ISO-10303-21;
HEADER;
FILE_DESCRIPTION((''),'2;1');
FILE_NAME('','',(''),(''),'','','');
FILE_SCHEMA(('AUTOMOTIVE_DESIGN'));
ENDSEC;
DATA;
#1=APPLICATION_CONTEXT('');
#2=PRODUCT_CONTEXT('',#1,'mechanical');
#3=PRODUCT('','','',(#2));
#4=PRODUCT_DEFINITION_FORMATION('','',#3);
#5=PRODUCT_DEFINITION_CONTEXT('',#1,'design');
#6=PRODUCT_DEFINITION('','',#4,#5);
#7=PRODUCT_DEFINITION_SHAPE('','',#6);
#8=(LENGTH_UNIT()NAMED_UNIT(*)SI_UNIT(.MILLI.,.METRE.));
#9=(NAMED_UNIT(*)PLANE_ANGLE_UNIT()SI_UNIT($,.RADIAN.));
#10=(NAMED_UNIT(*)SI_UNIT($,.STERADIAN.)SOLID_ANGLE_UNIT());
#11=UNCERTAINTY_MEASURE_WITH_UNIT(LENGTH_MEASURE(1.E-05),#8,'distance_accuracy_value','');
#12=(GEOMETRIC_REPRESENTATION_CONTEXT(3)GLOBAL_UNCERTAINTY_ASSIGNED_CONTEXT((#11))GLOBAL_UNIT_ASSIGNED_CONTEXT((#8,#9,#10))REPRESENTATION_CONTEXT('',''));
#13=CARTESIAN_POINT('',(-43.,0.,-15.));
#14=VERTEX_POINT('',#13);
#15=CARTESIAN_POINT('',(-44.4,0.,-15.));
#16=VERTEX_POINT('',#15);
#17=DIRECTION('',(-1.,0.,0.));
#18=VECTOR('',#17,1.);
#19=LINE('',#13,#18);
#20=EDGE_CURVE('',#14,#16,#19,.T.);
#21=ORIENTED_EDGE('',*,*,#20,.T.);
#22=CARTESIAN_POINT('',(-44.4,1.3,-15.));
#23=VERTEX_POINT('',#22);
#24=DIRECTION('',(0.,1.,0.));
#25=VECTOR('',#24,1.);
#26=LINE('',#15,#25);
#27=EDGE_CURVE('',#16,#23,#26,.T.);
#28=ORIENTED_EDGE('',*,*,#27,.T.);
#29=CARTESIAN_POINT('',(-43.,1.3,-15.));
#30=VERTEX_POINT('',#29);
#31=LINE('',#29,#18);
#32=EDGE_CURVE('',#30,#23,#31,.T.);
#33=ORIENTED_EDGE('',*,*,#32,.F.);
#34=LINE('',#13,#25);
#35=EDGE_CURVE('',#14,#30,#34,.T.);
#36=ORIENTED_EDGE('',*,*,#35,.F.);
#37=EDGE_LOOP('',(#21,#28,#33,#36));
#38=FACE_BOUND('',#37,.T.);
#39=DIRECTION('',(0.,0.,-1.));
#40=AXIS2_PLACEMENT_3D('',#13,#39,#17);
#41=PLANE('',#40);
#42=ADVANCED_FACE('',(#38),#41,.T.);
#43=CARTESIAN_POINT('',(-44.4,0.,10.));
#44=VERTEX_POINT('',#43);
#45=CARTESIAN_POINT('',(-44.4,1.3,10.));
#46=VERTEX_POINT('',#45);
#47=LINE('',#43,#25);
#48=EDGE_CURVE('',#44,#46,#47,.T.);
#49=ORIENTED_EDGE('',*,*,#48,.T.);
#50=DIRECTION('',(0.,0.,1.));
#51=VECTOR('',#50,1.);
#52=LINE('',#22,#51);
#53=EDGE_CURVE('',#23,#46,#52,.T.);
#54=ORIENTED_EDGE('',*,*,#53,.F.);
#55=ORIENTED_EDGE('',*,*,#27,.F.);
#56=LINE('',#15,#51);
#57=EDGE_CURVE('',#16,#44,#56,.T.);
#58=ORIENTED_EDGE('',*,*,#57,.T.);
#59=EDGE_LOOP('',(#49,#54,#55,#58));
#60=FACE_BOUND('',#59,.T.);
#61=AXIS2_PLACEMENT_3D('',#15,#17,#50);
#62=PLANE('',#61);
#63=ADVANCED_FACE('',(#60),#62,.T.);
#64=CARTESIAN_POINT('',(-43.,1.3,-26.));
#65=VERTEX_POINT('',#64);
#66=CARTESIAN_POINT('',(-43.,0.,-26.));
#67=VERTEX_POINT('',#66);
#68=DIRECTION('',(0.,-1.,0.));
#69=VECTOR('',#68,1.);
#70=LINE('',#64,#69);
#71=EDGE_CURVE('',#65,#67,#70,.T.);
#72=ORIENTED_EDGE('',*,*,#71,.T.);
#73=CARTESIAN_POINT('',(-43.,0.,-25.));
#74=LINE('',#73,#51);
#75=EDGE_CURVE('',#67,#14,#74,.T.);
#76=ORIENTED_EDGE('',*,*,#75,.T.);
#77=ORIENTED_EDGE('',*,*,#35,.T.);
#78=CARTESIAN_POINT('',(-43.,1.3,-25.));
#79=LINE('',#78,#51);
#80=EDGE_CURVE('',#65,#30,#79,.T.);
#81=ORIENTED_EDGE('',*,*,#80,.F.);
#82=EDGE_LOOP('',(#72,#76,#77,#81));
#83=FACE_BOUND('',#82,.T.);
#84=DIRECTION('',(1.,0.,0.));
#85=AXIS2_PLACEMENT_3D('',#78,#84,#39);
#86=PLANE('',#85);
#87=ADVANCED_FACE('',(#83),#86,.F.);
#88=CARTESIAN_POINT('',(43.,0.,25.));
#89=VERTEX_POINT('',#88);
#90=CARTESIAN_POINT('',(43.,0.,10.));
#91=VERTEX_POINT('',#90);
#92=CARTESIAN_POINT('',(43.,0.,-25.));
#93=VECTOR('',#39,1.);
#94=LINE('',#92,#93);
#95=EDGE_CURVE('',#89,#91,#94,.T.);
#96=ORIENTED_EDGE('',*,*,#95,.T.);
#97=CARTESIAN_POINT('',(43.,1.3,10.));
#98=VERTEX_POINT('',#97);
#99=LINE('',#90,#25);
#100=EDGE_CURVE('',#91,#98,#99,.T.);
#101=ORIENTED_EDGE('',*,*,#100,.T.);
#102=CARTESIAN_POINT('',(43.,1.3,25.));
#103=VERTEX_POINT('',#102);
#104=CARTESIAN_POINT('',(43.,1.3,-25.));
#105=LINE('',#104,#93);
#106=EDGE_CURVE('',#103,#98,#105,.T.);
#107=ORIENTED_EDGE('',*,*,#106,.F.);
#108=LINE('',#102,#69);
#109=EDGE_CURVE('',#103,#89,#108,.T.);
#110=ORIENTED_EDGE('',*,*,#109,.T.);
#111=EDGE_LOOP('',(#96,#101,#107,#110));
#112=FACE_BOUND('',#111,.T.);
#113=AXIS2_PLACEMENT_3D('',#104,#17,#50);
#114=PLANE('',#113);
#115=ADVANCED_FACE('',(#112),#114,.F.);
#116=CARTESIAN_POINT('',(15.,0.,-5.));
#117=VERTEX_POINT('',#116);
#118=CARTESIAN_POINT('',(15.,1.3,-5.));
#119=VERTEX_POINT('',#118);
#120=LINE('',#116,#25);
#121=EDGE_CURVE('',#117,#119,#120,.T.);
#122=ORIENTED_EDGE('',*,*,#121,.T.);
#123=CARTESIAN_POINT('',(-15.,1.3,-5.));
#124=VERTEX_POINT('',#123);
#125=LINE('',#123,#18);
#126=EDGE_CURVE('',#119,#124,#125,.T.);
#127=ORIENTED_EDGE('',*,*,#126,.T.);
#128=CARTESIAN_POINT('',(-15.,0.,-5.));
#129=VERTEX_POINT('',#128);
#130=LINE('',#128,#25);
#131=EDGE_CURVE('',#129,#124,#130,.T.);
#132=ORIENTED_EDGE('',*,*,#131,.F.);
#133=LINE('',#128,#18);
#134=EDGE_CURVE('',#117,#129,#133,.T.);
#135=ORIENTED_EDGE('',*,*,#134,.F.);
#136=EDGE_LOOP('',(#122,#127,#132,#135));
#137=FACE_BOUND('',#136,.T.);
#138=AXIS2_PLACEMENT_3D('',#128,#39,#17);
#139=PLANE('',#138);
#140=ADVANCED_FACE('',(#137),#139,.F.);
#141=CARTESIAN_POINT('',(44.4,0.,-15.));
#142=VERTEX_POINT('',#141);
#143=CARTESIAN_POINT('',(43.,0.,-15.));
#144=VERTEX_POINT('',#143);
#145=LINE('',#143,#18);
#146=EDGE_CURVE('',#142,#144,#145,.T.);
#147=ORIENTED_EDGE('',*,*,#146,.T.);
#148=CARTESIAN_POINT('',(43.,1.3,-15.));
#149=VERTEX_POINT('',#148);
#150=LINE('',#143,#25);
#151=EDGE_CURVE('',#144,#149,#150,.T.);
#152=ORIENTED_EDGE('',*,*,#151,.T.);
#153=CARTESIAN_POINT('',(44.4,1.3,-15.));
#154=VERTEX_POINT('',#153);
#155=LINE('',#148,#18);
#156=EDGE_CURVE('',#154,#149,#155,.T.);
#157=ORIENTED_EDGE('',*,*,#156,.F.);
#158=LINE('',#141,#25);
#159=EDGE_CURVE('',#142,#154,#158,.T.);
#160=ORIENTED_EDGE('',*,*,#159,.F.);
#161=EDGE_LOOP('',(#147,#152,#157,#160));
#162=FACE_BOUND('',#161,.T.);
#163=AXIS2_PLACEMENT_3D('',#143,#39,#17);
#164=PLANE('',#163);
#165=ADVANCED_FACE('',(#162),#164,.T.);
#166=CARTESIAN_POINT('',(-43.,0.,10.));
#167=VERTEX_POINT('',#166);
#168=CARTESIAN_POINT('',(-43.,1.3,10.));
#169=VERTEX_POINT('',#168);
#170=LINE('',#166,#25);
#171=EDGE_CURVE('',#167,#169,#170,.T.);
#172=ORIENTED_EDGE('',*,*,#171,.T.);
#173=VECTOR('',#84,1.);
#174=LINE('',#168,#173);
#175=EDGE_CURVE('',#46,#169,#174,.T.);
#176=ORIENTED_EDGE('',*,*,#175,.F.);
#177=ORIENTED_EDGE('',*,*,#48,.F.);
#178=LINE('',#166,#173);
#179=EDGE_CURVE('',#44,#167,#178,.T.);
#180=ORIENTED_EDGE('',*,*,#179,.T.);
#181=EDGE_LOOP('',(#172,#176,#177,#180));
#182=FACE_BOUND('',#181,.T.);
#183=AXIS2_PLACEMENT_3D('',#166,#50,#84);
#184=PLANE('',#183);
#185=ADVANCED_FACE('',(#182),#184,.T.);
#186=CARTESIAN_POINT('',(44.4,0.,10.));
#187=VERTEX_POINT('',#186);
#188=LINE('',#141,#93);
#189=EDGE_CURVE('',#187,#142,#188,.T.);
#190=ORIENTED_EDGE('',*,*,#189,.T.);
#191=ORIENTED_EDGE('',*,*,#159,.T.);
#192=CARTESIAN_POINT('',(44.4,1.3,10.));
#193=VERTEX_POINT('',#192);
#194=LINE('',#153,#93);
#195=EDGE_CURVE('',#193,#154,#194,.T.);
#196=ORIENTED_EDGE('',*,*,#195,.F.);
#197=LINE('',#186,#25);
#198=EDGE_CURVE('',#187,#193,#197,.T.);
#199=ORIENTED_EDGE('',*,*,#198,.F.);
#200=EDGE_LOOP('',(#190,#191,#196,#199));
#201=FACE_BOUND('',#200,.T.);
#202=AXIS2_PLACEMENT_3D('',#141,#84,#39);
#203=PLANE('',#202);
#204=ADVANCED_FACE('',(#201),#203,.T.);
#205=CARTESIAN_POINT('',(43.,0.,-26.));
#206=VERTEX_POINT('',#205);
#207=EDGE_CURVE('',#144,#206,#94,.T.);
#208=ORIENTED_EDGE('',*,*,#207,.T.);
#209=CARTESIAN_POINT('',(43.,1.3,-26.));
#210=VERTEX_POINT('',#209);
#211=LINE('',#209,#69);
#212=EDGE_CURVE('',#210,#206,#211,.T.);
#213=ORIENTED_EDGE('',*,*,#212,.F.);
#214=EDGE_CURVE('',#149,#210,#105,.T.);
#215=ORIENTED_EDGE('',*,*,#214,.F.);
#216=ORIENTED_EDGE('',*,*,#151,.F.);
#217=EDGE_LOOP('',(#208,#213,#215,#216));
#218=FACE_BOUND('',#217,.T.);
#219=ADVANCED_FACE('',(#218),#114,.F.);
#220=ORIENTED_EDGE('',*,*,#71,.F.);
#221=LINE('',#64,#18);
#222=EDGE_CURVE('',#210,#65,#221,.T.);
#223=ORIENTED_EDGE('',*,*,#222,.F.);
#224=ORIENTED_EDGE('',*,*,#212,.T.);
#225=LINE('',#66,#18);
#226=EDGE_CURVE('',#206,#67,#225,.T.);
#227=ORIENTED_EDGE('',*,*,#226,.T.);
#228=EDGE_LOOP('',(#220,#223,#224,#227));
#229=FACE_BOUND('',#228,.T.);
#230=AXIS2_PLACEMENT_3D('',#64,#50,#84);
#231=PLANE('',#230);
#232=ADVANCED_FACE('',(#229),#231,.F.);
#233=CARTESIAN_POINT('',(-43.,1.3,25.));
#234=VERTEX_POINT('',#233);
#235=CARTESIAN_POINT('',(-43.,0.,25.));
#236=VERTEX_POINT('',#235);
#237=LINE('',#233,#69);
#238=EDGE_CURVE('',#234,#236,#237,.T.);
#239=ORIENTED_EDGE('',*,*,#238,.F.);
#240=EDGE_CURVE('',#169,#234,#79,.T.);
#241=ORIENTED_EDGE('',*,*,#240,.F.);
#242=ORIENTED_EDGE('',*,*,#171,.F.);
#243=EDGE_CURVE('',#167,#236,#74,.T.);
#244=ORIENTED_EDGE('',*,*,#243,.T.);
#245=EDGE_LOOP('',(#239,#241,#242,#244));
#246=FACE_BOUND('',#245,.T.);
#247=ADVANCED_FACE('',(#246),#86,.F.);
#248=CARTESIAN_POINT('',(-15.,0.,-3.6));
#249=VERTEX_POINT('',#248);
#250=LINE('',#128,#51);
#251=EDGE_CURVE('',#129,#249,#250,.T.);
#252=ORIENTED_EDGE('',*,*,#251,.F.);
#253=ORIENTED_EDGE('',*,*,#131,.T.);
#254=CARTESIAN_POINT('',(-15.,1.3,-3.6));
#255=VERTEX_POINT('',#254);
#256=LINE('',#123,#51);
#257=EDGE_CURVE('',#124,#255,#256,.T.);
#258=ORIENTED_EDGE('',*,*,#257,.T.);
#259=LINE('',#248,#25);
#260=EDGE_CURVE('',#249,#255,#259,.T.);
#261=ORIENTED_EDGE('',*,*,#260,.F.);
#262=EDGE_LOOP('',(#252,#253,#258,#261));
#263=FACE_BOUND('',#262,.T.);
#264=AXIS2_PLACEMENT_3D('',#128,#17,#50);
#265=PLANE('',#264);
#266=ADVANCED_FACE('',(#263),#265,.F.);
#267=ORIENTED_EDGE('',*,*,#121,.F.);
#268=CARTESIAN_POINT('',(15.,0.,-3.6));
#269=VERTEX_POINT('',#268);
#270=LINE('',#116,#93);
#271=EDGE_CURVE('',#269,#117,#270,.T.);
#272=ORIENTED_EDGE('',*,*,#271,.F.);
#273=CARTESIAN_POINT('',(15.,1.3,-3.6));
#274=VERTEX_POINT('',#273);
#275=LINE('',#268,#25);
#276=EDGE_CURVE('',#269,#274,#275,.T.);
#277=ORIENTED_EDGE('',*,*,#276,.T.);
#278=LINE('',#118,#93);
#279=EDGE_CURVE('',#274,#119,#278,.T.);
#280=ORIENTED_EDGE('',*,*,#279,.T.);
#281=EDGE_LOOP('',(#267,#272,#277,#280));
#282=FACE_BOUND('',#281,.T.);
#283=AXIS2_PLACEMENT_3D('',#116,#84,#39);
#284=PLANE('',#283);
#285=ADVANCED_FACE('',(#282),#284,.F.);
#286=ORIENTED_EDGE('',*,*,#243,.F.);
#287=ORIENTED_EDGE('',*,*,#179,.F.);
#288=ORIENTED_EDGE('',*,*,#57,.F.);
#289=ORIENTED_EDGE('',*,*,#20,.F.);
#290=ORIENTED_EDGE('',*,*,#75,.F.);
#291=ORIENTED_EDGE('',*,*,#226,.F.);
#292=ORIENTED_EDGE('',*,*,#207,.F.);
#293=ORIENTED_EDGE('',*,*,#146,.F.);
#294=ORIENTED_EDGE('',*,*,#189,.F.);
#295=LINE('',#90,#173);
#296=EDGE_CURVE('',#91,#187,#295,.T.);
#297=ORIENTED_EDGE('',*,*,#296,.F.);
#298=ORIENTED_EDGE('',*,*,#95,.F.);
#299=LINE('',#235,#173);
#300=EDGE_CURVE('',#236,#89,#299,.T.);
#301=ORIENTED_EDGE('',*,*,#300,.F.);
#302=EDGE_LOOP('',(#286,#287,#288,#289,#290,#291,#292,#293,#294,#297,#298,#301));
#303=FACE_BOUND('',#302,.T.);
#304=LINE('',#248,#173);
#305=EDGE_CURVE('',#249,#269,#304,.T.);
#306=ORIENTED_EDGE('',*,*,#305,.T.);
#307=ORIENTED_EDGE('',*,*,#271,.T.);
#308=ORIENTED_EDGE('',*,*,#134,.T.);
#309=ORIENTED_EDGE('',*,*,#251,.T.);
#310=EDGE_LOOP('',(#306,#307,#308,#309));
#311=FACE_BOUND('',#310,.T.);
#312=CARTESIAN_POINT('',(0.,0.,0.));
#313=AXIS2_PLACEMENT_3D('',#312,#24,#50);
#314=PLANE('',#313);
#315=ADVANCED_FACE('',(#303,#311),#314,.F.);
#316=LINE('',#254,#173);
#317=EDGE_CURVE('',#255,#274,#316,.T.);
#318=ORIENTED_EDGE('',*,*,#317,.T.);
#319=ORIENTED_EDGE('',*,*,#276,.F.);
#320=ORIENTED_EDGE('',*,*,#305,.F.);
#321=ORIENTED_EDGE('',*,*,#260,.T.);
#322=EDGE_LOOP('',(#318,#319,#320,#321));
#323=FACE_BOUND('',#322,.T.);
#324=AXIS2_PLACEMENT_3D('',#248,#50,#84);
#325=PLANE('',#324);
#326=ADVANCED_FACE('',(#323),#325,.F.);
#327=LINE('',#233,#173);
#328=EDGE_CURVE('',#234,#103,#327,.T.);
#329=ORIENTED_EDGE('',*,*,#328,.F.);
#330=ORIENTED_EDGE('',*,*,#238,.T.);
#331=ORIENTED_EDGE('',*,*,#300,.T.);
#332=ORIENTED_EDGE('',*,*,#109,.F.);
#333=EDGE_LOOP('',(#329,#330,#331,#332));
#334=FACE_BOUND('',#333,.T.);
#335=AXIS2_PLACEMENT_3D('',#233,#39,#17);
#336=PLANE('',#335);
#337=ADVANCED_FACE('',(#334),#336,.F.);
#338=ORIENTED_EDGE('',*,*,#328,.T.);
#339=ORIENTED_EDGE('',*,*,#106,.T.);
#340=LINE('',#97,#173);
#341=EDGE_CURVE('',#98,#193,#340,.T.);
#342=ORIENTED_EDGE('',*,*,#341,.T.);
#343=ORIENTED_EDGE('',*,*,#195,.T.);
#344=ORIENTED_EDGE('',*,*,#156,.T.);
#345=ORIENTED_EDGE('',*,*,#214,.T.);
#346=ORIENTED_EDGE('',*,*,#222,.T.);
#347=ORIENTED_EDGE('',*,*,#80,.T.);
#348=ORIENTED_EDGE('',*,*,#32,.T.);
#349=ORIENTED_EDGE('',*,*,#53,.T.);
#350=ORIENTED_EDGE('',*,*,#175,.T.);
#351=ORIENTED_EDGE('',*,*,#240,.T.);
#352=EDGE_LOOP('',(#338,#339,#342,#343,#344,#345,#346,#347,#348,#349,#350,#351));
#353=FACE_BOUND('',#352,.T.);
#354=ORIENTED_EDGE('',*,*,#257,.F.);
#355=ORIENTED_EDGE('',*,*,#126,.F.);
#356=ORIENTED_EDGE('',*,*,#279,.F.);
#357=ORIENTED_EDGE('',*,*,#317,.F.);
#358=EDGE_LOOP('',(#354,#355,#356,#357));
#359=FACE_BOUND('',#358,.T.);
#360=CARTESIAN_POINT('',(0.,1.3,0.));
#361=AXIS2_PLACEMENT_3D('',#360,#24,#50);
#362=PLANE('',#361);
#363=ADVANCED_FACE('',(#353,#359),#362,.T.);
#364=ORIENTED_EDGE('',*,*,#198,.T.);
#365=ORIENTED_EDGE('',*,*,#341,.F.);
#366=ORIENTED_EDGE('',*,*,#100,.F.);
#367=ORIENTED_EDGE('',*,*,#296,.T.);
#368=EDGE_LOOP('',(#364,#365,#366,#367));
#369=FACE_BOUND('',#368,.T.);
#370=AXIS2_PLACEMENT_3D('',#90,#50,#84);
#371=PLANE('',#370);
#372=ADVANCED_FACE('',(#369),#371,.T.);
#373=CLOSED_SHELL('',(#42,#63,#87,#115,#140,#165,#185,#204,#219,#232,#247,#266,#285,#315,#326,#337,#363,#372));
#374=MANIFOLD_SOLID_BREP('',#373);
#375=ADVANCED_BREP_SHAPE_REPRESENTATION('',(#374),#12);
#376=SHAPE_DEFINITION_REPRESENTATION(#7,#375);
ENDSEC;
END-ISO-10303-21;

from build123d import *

# Parameters (mm, degrees)
SKETCH1_W           = 86
SKETCH1_H           = 50
BOSS_EXTRUDE1_DEPTH = 1.3
SKETCH2_W           = 1.4
SKETCH2_H           = 25
BOSS_EXTRUDE2_DEPTH = 1.3
SKETCH3_W           = 30
SKETCH3_H           = 1.4
CUT_EXTRUDE1_DEPTH  = 51.971070226
SKETCH4_W           = 86
SKETCH4_H           = 1
BOSS_EXTRUDE3_DEPTH = 1.3


with BuildPart() as part:
    # Sketch1 → Boss-Extrude1 (new body)
    with BuildSketch(Plane(origin=(0, 0, 0), x_dir=(1, 0, 0), z_dir=(0, 1, 0))):
        Rectangle(SKETCH1_W, SKETCH1_H)
    extrude(amount=BOSS_EXTRUDE1_DEPTH)

    # Sketch2 → Boss-Extrude2 (add)
    with BuildSketch(Plane(origin=(0, 1.3, 0), x_dir=(1, 0, 0), z_dir=(0, 1, 0))):
        with Locations((-43.7, 2.5)):
            Rectangle(SKETCH2_W, SKETCH2_H)
        with Locations((43.7, 2.5)):
            Rectangle(SKETCH2_W, SKETCH2_H)
    extrude(amount=-BOSS_EXTRUDE2_DEPTH)

    # Sketch3 → Cut-Extrude1 (cut, through all)
    with BuildSketch(Plane(origin=(0, 1.3, 0), x_dir=(1, 0, 0), z_dir=(0, 1, 0))):
        with Locations((0, 4.3)):
            Rectangle(SKETCH3_W, SKETCH3_H)
    extrude(amount=-CUT_EXTRUDE1_DEPTH, mode=Mode.SUBTRACT)

    # Sketch4 → Boss-Extrude3 (add)
    with BuildSketch(Plane(origin=(0, 0, 0), x_dir=(1, 0, 0), z_dir=(0, 1, 0))):
        with Locations((0, 25.5)):
            Rectangle(SKETCH4_W, SKETCH4_H)
    extrude(amount=BOSS_EXTRUDE3_DEPTH)


solid = part.part
